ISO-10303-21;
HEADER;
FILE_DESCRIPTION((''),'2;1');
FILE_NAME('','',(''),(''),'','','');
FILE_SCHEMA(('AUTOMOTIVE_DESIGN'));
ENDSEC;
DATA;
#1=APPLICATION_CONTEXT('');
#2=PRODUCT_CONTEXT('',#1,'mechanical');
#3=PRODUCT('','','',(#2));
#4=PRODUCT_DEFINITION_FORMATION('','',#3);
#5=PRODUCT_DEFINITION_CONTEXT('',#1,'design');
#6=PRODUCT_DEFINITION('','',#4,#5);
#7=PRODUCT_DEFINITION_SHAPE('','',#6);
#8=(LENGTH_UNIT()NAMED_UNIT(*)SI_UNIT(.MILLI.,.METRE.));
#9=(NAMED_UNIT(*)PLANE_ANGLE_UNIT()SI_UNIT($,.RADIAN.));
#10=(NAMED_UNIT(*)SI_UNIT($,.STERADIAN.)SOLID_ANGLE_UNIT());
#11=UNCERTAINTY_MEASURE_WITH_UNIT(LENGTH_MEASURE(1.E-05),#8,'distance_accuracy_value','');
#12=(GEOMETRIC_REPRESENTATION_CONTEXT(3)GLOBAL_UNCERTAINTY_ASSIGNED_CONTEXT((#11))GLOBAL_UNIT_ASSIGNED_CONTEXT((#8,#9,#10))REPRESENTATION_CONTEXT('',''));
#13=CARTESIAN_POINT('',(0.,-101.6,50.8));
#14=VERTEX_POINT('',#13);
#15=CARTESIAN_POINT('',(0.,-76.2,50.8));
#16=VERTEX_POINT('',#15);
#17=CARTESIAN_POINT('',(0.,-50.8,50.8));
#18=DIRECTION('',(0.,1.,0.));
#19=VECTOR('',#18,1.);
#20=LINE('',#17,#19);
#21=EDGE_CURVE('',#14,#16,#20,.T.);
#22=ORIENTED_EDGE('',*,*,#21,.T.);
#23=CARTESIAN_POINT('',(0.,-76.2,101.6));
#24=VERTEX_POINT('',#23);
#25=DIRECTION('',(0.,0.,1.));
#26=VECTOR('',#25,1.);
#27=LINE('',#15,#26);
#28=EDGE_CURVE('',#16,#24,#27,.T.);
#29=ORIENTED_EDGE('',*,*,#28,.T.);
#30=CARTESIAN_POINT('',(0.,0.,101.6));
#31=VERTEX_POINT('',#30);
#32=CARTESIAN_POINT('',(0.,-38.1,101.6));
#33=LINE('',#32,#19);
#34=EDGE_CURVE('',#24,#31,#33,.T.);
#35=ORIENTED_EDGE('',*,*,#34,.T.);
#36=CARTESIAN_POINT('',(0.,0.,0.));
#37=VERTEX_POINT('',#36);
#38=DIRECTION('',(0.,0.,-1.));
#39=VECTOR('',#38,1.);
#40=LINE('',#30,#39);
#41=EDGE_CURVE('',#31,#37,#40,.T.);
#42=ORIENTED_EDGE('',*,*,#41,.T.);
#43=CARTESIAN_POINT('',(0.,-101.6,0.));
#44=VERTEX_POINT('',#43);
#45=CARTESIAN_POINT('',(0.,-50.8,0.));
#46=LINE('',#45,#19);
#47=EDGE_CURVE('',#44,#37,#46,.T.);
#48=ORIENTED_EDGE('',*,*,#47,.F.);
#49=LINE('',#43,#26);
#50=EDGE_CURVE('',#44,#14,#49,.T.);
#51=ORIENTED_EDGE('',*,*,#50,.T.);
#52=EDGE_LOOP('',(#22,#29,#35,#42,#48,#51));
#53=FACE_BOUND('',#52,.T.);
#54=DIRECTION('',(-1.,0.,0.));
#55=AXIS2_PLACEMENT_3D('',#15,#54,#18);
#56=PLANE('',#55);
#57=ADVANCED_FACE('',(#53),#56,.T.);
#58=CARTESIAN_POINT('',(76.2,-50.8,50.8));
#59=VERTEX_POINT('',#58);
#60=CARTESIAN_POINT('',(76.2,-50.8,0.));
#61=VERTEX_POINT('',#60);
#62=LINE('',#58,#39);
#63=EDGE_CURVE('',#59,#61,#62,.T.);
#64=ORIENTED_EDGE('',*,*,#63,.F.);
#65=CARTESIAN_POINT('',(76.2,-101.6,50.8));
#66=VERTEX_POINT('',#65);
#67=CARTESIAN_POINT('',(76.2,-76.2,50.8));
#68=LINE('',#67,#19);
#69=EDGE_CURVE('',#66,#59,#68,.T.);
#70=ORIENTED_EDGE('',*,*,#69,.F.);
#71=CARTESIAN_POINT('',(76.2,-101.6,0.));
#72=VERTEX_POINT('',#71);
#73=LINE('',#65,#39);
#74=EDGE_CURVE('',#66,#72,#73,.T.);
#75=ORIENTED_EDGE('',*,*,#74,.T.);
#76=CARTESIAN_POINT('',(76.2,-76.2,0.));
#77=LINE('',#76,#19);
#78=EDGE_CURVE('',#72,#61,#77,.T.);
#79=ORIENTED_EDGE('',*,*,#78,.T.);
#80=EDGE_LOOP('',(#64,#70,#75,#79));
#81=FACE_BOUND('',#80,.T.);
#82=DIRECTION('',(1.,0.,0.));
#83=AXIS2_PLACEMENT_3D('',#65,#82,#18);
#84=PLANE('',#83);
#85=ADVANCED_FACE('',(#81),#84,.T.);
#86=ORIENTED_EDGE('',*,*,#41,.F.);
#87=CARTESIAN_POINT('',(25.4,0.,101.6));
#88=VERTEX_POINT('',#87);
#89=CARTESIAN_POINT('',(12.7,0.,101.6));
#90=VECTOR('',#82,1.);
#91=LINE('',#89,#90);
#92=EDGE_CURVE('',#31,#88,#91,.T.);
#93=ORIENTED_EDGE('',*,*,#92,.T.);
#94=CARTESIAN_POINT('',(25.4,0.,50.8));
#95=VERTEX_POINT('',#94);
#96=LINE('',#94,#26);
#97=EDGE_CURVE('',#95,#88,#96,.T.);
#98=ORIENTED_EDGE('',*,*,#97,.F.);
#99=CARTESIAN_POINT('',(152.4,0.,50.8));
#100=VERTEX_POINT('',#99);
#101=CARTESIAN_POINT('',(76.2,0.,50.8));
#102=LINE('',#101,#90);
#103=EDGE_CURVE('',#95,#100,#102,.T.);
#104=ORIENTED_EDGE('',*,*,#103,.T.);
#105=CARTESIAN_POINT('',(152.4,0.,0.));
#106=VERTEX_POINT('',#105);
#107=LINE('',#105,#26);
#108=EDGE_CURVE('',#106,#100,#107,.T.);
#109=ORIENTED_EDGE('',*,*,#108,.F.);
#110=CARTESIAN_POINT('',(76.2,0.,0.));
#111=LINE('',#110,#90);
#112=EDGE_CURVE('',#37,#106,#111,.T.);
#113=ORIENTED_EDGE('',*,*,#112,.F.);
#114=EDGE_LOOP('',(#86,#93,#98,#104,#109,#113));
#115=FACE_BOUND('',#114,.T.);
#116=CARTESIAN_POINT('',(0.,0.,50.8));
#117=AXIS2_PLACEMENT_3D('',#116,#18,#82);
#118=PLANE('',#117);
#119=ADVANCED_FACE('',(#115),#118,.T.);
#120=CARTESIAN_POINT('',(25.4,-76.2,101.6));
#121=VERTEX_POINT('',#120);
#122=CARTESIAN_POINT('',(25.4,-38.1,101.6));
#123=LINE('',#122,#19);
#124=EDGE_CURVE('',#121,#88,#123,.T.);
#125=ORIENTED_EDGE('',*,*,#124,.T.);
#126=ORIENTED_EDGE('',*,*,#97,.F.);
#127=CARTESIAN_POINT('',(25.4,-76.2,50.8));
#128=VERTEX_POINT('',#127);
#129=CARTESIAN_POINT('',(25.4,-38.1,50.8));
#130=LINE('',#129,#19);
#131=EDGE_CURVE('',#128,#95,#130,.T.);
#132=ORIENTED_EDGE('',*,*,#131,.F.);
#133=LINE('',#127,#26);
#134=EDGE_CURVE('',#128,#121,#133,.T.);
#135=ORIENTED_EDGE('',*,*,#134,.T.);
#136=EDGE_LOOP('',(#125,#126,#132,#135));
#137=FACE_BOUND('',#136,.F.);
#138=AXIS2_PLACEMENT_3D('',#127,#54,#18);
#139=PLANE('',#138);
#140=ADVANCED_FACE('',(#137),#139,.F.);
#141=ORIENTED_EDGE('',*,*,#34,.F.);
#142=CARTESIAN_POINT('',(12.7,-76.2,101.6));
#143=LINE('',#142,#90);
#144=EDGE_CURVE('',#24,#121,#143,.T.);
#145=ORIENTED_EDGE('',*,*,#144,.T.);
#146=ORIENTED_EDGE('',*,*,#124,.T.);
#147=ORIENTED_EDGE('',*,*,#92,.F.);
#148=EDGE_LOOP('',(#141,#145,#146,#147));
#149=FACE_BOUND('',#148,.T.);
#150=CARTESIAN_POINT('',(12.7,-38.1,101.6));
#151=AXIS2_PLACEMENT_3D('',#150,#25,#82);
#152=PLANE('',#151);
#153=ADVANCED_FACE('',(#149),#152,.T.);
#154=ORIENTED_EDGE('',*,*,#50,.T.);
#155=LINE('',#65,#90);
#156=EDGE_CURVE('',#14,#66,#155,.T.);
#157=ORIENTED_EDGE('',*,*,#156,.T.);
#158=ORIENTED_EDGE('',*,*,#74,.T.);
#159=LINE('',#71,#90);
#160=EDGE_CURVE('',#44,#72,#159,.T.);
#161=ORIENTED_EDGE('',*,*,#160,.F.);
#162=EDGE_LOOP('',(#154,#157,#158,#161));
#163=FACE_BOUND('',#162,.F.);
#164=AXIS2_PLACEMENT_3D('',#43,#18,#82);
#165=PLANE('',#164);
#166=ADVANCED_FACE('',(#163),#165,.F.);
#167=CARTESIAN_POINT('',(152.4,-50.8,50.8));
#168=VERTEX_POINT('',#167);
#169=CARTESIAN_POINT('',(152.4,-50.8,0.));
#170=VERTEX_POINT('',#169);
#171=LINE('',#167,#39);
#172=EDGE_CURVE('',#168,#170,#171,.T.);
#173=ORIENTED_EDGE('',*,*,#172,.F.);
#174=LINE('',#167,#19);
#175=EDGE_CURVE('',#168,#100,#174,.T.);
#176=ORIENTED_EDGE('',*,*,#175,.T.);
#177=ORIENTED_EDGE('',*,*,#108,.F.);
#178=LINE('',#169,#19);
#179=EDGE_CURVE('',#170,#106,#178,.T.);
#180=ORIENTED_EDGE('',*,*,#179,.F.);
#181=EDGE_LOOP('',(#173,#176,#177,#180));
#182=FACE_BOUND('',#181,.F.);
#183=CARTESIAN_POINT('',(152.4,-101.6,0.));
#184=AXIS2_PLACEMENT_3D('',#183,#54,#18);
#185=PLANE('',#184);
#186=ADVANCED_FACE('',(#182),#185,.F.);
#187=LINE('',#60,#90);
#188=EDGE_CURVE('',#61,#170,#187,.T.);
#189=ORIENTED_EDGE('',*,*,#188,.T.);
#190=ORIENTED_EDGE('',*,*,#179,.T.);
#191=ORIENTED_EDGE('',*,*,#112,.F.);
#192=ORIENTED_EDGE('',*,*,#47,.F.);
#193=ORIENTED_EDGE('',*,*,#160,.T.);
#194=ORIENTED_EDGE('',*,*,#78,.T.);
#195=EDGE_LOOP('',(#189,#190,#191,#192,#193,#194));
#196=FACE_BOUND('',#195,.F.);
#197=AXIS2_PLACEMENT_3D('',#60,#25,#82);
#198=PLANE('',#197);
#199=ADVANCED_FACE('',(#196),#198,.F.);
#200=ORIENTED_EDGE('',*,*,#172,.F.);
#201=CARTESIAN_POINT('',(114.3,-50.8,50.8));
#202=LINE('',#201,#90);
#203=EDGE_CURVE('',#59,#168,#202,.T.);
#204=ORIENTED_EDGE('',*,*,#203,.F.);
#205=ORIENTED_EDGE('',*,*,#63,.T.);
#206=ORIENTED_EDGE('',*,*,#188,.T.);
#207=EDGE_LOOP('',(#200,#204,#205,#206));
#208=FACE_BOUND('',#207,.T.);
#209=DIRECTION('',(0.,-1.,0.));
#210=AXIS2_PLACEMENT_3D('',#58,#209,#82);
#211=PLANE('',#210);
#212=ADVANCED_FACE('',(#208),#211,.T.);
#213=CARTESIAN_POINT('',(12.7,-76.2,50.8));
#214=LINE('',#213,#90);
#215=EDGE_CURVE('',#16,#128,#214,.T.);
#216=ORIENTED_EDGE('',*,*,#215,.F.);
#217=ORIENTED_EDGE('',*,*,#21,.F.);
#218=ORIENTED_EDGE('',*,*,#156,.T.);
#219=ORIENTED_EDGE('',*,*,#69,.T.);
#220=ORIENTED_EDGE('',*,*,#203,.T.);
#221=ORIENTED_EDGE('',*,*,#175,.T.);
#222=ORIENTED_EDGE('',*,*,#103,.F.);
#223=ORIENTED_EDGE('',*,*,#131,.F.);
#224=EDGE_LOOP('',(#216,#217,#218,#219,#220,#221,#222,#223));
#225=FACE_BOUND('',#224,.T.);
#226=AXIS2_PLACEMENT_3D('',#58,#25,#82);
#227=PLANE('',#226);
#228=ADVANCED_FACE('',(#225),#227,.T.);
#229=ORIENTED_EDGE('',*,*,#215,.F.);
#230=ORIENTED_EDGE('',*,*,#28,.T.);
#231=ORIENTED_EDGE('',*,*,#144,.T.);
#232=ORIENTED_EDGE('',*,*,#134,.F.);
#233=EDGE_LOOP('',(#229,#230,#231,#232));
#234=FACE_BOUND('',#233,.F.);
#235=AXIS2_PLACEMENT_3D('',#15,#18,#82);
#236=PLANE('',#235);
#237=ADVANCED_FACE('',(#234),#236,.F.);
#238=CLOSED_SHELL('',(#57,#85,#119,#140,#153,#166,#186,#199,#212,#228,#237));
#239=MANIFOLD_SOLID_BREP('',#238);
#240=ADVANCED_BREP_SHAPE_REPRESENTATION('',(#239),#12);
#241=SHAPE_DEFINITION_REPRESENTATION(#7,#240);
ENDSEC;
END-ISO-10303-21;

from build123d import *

# Parameters (mm, degrees)
F0_W     = 152.4
F0_H     = 101.6
F1_DEPTH = 50.8
F2_W     = 25.4
F2_H     = 76.2
F3_DEPTH = 50.8
F4_W     = 76.2
F4_H     = 50.8
F5_DEPTH = 50.801


with BuildPart() as f1:
    # F0 (on Top) → F1 (new body)
    with BuildSketch(Plane.XY):
        with Locations((76.2, -50.8)):
            Rectangle(F0_W, F0_H)
    extrude(amount=F1_DEPTH)

    # F2 (on face) → F3 (join)
    with BuildSketch(Plane.XY.offset(50.8)):
        with Locations((12.7, -38.1)):
            Rectangle(F2_W, F2_H)
    extrude(amount=F3_DEPTH)

    # F4 (on face) → F5 (cut, through all)
    with BuildSketch(Plane.XY.offset(50.8)):
        with Locations((114.3, -76.2)):
            Rectangle(F4_W, F4_H)
    extrude(amount=-F5_DEPTH, mode=Mode.SUBTRACT)


solid = f1.part
